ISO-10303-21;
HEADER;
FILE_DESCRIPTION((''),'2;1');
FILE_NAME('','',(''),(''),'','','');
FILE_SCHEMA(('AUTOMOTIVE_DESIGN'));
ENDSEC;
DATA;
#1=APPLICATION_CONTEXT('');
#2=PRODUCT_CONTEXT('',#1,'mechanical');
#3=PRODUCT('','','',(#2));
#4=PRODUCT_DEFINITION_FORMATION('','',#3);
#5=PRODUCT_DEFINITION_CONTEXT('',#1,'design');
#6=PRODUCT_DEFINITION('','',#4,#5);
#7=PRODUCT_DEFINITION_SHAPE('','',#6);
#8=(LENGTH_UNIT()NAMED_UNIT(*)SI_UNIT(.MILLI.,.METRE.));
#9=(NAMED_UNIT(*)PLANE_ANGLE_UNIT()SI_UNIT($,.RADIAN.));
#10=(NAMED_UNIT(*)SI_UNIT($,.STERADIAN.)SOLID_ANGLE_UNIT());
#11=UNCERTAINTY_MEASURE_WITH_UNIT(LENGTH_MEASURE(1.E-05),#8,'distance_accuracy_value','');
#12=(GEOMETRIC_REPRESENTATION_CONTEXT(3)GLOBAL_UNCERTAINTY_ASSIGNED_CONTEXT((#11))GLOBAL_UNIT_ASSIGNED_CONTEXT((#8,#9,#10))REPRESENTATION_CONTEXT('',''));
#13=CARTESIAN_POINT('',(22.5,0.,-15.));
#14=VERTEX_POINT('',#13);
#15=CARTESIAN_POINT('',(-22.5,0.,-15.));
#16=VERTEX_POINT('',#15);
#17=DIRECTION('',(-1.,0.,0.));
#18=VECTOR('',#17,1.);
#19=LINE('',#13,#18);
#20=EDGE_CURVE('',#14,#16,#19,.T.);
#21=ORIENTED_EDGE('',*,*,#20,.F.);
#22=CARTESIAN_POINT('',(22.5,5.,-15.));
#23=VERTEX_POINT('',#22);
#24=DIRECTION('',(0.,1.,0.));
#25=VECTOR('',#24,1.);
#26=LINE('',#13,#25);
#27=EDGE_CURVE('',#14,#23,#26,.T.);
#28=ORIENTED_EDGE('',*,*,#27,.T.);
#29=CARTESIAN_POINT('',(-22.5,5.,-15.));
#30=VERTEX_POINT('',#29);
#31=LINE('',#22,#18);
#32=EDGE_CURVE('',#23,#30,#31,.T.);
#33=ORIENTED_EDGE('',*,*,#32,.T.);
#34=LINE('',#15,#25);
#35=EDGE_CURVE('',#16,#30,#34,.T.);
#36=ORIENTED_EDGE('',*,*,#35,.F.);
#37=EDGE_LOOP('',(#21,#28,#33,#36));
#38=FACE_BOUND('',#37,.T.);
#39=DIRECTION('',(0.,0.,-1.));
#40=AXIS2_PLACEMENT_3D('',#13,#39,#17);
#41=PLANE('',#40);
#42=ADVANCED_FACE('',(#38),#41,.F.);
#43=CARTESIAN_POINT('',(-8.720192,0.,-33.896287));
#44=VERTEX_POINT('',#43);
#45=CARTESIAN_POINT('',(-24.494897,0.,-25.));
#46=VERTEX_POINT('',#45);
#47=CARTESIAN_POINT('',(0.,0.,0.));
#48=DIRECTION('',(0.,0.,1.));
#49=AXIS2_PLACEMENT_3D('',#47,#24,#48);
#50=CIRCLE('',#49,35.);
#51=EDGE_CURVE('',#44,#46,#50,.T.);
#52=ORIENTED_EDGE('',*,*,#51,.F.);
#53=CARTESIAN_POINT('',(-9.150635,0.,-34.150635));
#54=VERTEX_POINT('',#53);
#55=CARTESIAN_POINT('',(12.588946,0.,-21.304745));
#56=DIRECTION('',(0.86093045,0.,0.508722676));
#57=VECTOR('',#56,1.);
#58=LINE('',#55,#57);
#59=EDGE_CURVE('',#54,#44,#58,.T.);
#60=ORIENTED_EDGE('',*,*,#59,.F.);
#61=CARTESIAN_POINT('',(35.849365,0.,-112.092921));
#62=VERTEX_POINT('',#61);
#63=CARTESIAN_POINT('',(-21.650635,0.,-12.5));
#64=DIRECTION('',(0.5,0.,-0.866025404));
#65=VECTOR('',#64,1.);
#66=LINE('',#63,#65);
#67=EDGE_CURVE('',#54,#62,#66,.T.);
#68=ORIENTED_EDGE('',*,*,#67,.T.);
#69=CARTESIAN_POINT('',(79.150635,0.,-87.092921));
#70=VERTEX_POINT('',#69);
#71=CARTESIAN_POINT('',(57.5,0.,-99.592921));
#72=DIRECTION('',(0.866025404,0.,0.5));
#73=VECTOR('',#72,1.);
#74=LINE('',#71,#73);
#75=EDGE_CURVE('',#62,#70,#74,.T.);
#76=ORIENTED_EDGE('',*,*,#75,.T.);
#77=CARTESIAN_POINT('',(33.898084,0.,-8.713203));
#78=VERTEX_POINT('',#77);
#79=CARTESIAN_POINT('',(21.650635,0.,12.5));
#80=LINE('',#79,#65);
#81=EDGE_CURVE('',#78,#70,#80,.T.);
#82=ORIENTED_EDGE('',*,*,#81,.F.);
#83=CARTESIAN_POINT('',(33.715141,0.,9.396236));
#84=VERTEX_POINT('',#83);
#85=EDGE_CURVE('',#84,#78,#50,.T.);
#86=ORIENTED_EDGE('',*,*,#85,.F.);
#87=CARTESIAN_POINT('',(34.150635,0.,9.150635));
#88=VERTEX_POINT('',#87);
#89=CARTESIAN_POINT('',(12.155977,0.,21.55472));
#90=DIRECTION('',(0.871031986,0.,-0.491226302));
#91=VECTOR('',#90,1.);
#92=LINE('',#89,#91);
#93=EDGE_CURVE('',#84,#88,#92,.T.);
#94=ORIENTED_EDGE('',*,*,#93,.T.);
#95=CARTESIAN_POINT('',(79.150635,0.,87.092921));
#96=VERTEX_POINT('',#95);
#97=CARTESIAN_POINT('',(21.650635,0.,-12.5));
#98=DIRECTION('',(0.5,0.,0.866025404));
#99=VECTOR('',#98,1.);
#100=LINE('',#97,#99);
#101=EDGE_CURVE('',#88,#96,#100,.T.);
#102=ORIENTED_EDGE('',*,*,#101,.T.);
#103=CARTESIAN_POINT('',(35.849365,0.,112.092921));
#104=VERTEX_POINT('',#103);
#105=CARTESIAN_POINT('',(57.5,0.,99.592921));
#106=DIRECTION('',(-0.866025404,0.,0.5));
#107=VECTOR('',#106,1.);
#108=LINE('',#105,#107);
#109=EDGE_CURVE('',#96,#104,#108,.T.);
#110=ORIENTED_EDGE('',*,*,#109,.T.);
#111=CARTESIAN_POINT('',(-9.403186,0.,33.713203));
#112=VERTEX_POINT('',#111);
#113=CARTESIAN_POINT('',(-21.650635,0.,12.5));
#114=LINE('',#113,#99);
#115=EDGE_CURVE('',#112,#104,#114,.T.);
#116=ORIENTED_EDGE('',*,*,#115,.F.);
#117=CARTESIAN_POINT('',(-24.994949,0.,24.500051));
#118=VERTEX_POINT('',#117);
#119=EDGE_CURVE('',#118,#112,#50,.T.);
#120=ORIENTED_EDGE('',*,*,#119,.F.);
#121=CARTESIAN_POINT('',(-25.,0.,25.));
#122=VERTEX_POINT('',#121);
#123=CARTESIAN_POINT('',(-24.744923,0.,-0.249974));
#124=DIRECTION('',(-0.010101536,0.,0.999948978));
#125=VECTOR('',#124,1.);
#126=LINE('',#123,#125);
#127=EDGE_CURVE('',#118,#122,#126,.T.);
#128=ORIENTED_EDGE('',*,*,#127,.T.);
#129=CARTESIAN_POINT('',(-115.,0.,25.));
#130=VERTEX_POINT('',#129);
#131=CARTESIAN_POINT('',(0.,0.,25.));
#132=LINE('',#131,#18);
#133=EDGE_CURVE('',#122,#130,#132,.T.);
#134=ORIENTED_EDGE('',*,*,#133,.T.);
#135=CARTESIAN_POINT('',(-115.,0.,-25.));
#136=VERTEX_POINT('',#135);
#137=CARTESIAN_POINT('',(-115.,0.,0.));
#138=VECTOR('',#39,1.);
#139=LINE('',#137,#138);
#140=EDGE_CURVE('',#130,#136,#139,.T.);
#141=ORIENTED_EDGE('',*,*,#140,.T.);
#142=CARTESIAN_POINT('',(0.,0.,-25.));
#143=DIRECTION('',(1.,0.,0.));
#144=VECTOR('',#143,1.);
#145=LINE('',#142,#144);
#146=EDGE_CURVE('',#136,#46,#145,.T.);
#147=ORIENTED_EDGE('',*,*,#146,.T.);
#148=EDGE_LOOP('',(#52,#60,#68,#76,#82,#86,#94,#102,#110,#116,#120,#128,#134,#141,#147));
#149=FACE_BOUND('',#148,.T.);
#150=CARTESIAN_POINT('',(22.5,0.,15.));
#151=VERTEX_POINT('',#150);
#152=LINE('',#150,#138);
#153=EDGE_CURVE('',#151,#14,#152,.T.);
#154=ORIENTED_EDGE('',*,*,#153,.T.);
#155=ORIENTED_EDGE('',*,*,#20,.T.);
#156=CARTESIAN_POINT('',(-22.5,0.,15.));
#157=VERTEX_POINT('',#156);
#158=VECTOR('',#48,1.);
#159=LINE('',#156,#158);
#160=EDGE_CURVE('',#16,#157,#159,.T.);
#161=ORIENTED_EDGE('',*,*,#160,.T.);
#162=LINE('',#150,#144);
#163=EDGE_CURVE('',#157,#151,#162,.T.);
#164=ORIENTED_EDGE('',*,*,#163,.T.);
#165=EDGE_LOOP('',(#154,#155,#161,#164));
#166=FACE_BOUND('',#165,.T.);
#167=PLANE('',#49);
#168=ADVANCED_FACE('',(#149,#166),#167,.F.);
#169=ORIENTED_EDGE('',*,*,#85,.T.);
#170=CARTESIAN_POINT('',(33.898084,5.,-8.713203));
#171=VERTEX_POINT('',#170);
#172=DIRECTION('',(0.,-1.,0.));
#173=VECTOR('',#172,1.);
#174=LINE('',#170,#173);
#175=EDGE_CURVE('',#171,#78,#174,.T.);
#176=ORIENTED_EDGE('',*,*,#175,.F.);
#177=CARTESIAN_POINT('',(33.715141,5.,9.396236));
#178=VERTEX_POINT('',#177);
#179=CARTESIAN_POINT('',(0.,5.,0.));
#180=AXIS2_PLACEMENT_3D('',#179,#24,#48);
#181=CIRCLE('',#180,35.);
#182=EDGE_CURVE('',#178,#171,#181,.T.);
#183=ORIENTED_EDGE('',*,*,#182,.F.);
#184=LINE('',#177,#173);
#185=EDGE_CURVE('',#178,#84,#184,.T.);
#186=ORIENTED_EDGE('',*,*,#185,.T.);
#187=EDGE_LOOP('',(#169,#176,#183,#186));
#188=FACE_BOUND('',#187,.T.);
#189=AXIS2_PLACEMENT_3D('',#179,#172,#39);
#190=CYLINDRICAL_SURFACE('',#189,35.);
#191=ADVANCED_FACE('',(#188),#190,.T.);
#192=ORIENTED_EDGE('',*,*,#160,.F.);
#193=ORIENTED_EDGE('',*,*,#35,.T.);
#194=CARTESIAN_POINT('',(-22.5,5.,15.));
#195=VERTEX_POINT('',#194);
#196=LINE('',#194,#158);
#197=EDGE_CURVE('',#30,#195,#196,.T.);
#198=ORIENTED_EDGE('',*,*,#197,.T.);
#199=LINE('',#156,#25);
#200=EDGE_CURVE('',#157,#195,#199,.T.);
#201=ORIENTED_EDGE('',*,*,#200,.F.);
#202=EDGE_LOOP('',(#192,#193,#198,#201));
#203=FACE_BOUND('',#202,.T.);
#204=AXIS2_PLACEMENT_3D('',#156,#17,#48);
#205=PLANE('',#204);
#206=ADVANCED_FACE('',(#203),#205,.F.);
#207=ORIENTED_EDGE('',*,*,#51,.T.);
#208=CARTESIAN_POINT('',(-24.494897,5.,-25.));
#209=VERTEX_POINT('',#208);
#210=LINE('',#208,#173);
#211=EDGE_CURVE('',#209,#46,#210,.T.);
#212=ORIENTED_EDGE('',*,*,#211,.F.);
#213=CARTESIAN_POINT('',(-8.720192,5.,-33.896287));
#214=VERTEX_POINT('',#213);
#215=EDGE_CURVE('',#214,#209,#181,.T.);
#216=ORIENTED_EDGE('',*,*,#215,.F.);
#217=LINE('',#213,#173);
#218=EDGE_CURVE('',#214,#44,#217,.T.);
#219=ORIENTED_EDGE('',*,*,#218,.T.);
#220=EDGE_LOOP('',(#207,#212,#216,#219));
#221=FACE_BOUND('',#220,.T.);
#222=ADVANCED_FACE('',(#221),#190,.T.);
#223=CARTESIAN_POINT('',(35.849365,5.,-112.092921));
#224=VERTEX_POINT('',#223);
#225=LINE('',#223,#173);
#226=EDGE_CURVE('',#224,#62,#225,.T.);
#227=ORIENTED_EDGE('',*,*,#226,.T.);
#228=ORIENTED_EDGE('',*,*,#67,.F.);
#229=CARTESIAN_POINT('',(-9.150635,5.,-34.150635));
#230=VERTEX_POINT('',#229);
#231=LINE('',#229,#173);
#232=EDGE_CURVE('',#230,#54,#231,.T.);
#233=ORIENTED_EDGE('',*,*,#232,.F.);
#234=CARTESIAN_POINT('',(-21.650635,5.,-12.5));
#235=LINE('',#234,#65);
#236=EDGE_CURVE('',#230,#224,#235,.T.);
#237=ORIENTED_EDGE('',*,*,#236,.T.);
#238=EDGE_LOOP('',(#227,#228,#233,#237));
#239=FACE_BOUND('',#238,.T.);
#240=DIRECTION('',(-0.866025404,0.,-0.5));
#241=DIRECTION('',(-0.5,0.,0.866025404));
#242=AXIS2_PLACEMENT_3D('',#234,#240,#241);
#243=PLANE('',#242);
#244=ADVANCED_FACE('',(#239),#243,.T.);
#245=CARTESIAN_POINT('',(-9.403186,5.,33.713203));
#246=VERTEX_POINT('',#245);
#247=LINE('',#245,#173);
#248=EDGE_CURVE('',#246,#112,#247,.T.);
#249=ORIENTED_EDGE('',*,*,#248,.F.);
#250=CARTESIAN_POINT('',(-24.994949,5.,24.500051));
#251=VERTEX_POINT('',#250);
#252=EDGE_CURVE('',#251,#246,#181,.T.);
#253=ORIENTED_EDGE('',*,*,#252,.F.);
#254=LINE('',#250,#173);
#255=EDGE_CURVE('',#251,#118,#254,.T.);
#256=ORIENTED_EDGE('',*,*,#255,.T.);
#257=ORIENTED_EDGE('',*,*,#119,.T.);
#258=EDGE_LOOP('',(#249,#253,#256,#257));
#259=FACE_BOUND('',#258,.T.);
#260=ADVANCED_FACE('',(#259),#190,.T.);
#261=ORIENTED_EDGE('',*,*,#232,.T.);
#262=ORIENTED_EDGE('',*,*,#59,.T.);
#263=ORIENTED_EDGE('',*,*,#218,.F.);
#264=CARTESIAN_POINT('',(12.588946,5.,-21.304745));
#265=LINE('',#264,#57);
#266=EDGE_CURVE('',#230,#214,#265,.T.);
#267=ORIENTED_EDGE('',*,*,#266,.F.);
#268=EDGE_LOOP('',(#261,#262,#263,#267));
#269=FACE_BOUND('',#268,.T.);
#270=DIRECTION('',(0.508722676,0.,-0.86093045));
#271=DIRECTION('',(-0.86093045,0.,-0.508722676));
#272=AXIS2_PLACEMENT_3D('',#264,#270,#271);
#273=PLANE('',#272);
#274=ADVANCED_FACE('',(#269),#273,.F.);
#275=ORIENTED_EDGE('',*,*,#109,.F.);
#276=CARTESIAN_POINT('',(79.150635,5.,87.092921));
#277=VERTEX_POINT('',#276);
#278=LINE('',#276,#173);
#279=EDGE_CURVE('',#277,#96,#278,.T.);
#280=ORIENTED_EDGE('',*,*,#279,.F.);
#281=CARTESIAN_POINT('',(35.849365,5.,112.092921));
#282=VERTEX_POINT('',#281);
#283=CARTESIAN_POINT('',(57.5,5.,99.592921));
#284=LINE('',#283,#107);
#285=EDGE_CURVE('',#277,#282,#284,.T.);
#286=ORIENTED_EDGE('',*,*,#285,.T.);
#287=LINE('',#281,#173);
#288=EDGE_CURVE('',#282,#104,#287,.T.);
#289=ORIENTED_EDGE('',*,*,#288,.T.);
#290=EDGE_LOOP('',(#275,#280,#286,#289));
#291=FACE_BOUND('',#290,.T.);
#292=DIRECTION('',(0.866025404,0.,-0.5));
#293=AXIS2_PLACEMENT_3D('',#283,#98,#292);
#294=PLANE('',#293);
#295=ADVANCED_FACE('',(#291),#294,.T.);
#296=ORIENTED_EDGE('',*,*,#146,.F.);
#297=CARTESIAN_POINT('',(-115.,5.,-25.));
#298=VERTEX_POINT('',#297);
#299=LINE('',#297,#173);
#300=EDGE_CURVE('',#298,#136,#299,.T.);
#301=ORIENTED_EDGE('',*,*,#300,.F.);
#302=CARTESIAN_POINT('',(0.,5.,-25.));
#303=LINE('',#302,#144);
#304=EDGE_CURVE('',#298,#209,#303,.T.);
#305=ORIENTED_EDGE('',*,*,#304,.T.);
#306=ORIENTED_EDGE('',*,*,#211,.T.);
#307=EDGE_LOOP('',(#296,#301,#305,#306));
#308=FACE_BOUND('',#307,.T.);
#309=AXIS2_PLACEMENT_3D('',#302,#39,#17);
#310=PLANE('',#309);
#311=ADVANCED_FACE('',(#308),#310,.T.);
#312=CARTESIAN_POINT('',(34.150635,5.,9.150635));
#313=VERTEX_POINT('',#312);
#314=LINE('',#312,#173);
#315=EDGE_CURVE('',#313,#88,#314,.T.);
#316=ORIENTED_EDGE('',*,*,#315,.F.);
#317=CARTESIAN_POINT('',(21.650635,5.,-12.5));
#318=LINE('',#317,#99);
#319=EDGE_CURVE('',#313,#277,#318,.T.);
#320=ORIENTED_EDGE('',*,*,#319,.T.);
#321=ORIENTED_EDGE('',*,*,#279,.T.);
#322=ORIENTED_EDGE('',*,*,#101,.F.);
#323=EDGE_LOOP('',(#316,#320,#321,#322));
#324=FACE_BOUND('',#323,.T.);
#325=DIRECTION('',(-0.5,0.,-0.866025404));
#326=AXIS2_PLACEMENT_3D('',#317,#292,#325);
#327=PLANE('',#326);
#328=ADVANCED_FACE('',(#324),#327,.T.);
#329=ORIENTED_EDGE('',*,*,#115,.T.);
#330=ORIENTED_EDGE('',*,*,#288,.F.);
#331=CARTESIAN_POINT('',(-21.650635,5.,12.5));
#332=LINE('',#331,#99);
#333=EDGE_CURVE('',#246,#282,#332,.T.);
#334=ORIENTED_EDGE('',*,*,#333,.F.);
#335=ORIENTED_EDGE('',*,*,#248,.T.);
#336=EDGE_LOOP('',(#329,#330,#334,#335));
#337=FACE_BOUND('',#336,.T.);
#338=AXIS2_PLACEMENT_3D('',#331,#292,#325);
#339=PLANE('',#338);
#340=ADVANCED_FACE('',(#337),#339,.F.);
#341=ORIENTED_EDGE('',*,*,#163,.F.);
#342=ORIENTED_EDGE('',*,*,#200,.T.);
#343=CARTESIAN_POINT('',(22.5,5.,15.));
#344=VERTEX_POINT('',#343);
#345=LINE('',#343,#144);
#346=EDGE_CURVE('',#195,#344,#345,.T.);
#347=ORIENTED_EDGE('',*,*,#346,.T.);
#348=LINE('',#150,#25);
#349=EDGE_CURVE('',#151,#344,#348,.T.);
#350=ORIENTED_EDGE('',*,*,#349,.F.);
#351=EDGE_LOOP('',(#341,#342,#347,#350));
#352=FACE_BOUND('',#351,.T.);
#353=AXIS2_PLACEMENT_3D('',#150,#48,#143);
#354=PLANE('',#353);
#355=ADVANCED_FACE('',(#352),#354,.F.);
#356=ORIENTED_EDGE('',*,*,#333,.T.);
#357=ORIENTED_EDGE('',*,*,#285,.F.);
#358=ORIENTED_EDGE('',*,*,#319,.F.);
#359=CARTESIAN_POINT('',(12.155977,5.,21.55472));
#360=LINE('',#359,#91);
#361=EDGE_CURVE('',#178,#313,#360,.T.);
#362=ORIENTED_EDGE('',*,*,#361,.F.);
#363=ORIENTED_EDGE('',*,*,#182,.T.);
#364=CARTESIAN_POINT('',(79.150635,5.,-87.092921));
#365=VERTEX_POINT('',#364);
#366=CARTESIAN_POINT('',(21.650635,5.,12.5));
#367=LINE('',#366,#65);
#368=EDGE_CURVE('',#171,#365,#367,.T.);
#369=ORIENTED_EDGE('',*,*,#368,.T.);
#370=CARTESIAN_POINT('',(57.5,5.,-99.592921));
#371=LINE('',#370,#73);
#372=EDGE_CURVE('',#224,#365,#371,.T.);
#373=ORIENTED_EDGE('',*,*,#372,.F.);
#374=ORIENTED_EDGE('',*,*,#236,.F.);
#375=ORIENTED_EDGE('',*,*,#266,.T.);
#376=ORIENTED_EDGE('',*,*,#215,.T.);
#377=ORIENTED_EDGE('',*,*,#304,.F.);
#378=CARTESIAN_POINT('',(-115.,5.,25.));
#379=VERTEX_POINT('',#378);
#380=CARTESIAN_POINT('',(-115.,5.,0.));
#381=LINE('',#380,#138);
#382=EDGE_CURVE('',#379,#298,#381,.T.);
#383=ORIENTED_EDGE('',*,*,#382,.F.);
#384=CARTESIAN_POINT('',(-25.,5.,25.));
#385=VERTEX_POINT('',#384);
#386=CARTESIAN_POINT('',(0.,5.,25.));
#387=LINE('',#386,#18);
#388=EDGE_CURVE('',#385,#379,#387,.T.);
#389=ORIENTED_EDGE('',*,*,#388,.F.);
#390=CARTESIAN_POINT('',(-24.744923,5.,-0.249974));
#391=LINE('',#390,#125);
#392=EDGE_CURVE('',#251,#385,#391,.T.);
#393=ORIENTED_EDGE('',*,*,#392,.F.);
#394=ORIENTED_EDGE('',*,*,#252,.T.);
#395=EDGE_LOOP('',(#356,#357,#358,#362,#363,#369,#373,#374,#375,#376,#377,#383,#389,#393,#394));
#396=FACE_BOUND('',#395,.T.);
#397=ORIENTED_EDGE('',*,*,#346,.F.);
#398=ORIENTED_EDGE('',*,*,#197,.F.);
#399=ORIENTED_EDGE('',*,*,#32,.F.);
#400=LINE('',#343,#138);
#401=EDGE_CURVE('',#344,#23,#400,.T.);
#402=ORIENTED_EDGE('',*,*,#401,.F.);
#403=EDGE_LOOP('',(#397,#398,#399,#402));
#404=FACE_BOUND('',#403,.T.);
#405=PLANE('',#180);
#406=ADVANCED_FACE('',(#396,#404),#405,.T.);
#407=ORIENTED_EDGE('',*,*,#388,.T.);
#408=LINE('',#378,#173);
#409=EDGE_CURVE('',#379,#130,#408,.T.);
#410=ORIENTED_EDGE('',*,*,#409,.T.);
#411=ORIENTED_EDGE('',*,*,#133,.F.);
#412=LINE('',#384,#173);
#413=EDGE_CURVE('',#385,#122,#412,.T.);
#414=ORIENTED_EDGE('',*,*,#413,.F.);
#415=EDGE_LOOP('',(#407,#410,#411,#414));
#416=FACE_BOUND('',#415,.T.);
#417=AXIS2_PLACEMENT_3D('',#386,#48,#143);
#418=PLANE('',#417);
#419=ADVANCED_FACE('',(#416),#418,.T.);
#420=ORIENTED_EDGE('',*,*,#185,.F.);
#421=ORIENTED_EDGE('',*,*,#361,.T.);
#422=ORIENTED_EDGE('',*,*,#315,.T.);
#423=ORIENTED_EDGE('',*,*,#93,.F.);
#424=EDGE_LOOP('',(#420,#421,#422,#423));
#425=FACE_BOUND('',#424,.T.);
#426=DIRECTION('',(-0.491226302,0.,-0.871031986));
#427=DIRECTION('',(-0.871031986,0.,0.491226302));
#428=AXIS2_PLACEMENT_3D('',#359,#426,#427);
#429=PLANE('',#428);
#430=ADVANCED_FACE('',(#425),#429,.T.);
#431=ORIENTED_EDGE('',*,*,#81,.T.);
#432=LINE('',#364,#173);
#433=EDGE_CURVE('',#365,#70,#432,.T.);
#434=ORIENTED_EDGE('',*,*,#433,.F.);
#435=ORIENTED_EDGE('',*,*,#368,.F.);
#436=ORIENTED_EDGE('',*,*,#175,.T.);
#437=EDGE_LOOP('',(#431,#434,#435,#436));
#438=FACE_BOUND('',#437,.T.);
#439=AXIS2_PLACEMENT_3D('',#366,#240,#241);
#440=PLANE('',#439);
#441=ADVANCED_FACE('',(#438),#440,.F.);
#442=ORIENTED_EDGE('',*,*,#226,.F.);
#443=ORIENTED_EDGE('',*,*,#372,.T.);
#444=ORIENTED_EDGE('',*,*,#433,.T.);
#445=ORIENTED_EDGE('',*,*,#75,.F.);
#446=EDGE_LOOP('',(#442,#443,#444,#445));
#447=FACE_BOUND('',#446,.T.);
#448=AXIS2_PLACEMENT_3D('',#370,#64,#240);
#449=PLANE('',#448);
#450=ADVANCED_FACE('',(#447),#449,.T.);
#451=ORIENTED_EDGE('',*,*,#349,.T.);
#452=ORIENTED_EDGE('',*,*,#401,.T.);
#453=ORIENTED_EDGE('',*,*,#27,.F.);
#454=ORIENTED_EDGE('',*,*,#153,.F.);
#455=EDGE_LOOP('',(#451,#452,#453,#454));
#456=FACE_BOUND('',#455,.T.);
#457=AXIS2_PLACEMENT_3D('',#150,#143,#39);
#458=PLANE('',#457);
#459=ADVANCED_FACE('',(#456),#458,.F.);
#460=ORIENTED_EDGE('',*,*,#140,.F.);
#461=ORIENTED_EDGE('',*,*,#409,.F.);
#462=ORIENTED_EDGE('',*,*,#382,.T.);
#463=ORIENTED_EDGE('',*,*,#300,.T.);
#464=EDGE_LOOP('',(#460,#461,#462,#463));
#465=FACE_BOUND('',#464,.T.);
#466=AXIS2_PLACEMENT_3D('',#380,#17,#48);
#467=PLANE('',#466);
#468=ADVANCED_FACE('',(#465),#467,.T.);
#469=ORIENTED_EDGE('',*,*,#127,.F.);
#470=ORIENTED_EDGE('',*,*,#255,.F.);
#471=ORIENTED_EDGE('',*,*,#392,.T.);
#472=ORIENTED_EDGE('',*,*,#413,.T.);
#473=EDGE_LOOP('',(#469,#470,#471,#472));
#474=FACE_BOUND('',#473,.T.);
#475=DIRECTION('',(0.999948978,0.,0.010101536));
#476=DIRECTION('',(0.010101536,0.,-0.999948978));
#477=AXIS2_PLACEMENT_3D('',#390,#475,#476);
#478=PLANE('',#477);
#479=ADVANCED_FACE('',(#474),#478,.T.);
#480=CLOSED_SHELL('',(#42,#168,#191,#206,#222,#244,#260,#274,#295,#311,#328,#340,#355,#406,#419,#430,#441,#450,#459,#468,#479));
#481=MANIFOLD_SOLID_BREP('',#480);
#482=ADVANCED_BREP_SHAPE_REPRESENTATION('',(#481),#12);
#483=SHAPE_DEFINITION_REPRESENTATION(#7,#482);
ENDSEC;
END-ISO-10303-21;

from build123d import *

# Parameters (mm, degrees)
ESQUISSE3_R             = 35
BOSS_EXTRU_3_DEPTH      = 5
ESQUISSE4_W             = 45
ESQUISSE4_H             = 30
ENL_V_MAT_EXTRU_1_DEPTH = 161.669919512


with BuildPart() as part:
    # Esquisse3 → Boss.-Extru.3 (new body)
    with BuildSketch(Plane(origin=(0, 0, 0), x_dir=(1, 0, 0), z_dir=(0, 1, 0))):
        with BuildLine():
            Line((-115, -25), (-25, -25))
            Line((-25, -25), (-24.99494949, -24.500051021))
            ThreePointArc((-24.99494949, -24.500051021), (-34.998214236, 0.353553761), (-24.494897428, 25))
            Line((-24.494897428, 25), (-25, 25))
            Line((-25, 25), (-115, 25))
            Line((-115, 25), (-115, -25))
        make_face()
        Circle(ESQUISSE3_R)
        Polygon((-9.403186381, -33.713203436), (35.849364905, -112.092921435), (79.150635095, -87.092921435), (34.150635095, -9.150635095), align=None)
        with BuildLine():
            Line((-24.494897428, 25), (-24.99494949, -24.500051021))
            ThreePointArc((-24.99494949, -24.500051021), (-17.805293657, -30.132565736), (-9.403186381, -33.713203436))
            Line((-9.403186381, -33.713203436), (33.715141323, -9.396235714))
            ThreePointArc((33.715141323, -9.396235714), (34.677297662, -4.741837919), (35, 0))
            ThreePointArc((35, 0), (34.72342821, 4.391302011), (33.898083809, 8.713203436))
            Line((33.898083809, 8.713203436), (-8.720191833, 33.896286735))
            ThreePointArc((-8.720191833, 33.896286735), (-17.19292058, 30.486119496), (-24.494897428, 25))
        make_face()
        Circle(ESQUISSE3_R)
        Polygon((33.898083809, 8.713203436), (79.150635095, 87.092921435), (35.849364905, 112.092921435), (-9.150635095, 34.150635095), align=None)
        with BuildLine():
            ThreePointArc((33.898083809, 8.713203436), (17.805293657, 30.132565736), (-8.720191833, 33.896286735))
            Line((-8.720191833, 33.896286735), (33.898083809, 8.713203436))
        make_face()
    extrude(amount=BOSS_EXTRU_3_DEPTH)

    # Esquisse4 → Enlèv. mat.-Extru.1 (cut, through all)
    with BuildSketch(Plane(origin=(0, 5, 0), x_dir=(1, 0, 0), z_dir=(0, 1, 0))):
        Rectangle(ESQUISSE4_W, ESQUISSE4_H)
    extrude(amount=-ENL_V_MAT_EXTRU_1_DEPTH, mode=Mode.SUBTRACT)


solid = part.part
